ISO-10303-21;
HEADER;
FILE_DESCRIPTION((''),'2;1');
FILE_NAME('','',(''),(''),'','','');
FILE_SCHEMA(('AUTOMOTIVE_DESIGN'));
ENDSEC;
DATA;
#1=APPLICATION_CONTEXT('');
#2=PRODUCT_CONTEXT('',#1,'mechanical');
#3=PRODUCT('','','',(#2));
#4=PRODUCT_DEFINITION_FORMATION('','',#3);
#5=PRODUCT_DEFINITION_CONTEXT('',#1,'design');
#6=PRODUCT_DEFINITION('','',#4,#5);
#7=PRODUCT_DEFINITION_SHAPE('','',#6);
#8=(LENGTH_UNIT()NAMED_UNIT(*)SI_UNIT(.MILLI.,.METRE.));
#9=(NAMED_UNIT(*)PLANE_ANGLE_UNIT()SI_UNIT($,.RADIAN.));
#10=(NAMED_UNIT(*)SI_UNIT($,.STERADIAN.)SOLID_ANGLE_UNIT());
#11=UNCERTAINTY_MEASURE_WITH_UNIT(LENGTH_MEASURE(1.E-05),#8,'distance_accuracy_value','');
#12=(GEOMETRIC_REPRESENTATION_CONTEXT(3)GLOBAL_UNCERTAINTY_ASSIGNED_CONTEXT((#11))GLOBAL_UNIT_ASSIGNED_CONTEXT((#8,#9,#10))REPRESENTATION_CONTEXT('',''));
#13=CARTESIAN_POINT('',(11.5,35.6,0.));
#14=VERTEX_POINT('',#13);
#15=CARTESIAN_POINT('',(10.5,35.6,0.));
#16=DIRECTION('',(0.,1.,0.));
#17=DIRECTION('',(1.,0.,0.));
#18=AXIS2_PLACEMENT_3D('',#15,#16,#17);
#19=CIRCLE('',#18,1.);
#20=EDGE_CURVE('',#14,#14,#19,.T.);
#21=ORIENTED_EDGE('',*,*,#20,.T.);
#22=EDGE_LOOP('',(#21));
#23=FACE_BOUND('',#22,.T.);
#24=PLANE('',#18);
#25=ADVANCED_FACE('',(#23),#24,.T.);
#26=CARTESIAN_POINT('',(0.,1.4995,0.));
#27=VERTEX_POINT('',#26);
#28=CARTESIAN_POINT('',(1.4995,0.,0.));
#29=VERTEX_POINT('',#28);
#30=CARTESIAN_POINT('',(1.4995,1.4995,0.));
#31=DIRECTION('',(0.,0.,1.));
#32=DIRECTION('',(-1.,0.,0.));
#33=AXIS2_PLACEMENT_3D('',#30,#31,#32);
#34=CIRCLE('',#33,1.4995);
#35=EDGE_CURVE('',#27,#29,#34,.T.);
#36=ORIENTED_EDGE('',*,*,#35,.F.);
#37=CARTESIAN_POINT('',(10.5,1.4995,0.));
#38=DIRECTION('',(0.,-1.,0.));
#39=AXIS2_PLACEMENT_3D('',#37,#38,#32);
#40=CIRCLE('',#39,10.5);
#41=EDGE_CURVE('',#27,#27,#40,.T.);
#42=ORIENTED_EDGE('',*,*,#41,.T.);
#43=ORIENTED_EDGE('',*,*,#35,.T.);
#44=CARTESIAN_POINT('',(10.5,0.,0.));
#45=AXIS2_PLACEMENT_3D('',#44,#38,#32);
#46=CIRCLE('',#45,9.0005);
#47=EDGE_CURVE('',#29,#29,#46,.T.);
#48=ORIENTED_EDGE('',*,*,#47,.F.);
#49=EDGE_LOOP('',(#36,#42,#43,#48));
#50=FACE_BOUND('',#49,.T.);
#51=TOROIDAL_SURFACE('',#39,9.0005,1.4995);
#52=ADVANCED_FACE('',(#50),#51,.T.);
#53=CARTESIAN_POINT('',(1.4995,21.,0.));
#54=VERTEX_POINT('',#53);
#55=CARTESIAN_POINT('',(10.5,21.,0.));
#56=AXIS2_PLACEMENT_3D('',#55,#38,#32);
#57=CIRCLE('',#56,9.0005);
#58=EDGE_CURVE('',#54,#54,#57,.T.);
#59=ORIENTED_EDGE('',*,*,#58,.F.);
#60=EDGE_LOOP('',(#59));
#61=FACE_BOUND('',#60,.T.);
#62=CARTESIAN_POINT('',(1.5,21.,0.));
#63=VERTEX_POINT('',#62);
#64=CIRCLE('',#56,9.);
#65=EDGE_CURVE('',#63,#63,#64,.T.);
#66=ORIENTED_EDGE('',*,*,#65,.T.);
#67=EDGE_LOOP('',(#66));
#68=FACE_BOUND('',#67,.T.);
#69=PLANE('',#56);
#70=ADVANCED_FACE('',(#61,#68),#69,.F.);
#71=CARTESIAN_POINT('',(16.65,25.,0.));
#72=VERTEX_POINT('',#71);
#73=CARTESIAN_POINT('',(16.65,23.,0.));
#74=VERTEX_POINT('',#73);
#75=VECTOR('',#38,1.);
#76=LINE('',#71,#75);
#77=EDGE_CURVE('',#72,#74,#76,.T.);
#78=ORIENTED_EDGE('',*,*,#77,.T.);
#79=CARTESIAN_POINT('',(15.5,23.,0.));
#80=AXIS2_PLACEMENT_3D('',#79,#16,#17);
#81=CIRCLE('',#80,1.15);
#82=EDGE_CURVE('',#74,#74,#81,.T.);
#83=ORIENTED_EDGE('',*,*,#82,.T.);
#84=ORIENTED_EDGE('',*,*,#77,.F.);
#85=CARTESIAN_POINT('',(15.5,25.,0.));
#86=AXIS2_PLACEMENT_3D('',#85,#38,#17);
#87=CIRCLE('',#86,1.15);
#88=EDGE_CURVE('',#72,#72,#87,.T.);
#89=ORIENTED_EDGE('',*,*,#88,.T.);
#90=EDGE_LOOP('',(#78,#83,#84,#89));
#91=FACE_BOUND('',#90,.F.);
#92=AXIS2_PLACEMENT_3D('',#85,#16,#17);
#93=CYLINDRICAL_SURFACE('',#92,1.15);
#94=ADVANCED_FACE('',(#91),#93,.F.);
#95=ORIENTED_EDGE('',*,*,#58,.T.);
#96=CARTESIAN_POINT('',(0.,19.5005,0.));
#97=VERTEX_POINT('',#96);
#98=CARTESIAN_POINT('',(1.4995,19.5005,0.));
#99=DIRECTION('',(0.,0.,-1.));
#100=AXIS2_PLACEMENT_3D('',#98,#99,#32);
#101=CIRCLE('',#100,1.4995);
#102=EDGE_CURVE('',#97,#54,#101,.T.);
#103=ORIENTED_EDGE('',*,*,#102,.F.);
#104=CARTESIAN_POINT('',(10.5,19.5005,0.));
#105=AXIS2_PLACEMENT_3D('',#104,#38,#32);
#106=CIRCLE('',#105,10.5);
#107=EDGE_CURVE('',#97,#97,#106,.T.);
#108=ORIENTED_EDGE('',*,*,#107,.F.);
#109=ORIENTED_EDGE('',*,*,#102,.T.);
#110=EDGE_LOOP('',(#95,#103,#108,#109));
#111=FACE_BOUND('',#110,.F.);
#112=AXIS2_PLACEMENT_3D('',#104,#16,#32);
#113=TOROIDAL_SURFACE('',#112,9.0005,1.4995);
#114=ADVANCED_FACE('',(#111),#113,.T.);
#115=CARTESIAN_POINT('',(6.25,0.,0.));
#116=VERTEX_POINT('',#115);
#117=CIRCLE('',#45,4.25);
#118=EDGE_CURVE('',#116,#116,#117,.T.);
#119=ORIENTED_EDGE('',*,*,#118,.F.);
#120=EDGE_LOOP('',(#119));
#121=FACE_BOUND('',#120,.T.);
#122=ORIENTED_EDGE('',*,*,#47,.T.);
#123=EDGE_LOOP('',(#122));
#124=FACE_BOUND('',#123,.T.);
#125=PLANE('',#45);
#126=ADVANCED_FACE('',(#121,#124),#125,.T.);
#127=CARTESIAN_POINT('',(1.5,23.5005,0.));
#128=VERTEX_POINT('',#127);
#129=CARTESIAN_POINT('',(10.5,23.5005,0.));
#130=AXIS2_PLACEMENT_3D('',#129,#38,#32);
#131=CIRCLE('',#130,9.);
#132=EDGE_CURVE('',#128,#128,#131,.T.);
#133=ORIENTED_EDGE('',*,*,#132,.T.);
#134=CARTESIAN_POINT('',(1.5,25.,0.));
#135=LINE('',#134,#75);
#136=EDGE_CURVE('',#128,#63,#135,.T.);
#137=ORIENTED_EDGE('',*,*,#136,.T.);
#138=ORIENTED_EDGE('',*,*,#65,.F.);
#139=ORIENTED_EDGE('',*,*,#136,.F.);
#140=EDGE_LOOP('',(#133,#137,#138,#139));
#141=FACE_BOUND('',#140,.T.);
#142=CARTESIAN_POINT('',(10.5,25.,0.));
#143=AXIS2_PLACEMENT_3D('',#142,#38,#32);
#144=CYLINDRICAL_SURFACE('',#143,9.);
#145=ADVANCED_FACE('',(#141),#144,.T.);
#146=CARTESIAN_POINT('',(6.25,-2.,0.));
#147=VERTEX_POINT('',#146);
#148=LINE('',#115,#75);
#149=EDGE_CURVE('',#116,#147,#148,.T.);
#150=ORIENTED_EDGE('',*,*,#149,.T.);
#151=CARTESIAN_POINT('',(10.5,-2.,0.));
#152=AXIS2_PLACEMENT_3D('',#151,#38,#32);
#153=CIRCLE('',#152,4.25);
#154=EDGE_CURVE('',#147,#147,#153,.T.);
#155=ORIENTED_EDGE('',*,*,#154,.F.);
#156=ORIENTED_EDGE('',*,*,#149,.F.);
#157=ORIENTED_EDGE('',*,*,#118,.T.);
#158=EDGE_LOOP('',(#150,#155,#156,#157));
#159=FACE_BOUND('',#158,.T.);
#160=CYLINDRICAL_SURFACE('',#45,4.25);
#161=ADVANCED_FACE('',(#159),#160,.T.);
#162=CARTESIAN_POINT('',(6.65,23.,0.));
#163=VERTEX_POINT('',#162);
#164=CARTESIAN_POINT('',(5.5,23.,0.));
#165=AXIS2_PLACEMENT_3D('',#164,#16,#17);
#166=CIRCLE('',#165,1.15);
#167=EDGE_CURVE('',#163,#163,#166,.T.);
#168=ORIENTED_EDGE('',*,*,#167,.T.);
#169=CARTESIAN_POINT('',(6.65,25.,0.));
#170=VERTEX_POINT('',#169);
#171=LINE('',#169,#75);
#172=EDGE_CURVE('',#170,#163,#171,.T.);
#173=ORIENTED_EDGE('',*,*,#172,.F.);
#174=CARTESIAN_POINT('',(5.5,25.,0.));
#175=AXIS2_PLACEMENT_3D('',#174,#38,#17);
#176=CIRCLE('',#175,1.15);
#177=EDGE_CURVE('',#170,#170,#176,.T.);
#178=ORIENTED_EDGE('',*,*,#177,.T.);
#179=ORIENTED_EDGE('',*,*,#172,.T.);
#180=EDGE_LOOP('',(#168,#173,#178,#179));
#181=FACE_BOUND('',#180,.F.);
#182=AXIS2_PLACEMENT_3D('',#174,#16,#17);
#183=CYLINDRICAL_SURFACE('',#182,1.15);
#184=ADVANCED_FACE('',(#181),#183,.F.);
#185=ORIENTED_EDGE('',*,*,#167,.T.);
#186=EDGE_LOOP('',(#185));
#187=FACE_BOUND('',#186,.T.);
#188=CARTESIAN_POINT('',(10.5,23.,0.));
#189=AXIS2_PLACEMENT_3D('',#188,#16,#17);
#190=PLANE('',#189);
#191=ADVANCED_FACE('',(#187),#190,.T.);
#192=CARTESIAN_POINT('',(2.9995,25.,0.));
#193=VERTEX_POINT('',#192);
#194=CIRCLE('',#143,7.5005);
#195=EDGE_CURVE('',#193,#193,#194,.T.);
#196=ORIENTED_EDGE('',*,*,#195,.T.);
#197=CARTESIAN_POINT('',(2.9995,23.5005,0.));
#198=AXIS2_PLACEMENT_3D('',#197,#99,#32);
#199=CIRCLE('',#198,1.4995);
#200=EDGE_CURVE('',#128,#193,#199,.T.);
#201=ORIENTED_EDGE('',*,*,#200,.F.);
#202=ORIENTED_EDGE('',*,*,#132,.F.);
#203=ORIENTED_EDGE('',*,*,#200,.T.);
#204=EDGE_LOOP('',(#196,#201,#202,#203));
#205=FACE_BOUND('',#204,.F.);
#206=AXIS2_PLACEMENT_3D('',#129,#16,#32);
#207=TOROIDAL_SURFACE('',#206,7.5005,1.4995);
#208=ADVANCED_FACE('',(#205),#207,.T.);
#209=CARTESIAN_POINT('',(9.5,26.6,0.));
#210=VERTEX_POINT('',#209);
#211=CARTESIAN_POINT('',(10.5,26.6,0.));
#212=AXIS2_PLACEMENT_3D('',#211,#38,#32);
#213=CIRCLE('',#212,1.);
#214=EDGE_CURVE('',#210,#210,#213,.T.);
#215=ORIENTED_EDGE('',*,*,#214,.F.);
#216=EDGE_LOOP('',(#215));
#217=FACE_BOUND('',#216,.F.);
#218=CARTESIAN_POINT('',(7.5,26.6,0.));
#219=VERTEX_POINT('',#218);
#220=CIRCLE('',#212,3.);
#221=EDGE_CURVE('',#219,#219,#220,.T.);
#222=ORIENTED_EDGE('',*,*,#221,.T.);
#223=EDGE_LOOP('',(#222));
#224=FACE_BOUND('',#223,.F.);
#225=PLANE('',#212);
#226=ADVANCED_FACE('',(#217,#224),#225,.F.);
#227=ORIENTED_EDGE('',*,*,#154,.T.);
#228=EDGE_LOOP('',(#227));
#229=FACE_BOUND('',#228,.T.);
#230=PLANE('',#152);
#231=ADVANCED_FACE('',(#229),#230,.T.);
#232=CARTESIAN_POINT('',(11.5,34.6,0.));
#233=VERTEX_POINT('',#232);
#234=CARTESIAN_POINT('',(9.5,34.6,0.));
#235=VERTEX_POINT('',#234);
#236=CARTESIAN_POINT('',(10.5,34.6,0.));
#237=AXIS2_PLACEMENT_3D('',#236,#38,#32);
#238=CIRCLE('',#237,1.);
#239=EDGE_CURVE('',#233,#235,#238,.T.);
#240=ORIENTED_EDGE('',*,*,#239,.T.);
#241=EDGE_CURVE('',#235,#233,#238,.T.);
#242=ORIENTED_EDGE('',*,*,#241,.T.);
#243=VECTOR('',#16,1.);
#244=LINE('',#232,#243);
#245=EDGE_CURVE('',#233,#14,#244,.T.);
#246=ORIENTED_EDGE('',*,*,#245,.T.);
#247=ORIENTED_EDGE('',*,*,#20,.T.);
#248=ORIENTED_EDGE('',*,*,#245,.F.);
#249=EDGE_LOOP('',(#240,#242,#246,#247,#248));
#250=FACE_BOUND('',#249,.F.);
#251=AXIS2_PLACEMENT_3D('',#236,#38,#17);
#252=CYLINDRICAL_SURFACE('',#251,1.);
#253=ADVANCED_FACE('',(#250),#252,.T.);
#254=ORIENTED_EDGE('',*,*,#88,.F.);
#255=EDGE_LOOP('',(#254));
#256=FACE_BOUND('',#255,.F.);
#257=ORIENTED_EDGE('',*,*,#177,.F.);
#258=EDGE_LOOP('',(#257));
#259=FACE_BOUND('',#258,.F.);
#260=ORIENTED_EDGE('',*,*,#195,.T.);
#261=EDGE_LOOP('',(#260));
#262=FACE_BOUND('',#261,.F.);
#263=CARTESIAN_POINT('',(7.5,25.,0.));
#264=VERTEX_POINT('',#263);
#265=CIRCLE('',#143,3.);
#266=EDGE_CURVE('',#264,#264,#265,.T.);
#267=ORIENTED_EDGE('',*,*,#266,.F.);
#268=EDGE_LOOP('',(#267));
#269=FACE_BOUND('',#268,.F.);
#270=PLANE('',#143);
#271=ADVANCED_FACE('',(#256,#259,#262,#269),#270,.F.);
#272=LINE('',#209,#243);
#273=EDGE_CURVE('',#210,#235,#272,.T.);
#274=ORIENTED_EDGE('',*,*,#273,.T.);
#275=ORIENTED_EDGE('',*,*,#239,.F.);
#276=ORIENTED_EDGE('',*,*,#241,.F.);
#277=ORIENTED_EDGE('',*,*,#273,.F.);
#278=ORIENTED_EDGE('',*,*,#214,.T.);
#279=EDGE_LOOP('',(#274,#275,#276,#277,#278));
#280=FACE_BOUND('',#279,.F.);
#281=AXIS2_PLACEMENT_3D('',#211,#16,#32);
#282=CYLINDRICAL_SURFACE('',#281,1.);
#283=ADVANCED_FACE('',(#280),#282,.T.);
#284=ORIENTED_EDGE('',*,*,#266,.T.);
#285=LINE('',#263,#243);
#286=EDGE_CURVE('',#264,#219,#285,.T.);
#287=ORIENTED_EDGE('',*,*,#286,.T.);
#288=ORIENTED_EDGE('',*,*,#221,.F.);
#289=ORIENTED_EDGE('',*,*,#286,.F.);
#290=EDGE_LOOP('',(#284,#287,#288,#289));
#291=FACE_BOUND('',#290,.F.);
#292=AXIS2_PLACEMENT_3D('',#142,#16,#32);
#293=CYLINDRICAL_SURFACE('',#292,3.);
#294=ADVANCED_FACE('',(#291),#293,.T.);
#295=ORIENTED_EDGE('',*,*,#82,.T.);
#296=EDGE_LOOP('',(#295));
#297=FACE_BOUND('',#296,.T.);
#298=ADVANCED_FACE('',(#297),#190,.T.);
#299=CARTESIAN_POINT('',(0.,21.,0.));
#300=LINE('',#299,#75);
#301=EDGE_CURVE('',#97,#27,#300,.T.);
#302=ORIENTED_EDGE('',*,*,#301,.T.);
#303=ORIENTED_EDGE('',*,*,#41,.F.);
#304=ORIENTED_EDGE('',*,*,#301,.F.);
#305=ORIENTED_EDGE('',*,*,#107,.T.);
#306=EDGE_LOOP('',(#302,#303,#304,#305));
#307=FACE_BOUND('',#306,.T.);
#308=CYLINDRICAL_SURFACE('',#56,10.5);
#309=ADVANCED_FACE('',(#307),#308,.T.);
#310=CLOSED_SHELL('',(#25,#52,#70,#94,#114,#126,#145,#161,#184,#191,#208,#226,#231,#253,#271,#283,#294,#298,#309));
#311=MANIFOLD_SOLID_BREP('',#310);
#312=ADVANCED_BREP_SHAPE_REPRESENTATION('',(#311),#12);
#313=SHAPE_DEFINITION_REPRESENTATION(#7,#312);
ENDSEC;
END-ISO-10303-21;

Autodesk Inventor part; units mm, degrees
ref_plane "YZ Plane" through (0, 0, 0) normal (1, 0, 0) x (0, 1, 0)
ref_plane "XZ Plane" through (0, 0, 0) normal (0, 1, 0) x (-1, 0, 0)
ref_plane "XY Plane" through (0, 0, 0) normal (0, 0, 1) x (1, 0, 0)
sketch "Sketch3" plane through (0, 0, 0) normal (0, 0, 1) x (1, 0, 0)
  line L0 (0, 0) -> (6.25, 0)
  line L1 (6.25, 0) -> (6.25, -2)
  line L2 (1.5, 25) -> (7.5, 25)
  line L3 (7.5, 25) -> (7.5, 26.6)
  line L4 (10.5, 21) -> (10.5, -2)
  line L5 (6.25, -2) -> (10.5, -2)
  line L6 (7.5, 26.6) -> (9.5, 26.6)
  line L7 (9.5, 26.6) -> (9.5, 34.6)
  line L8 (9.5, 34.6) -> (10.5, 34.6)
  line L9 (10.5, 34.6) -> (10.5, 21)
  line L10 (1.5, 25) -> (1.5, 21)
  line L11 (1.5, 21) -> (0, 21)
  line L12 (0, 21) -> (0, 0)
  dimension "d5" = 4.25
  dimension "d7" = 1.6
  dimension "d10" = 1
  dimension "d13" = 2
  dimension "d16" = 3
  dimension "d17" = 8
  dimension "d18" = 25
  dimension "d19" = 1.5
  dimension "d20" = 4
  dimension "d21" = 10.5
  dimension "d23" = 6.25
revolve "Revolution1" add sketch "Sketch3" angle 360 about axis through (10.5, 21, 0) along (0, -1, 0)
fillet "Fillet1" radius 1.5 3 edges at (19.5, 25, 0) (21, 0, 0) (21, 21, 0)
sketch "Sketch4" plane through (10.5, 25, 0) normal (0, 1, 0) x (1, 0, 0)
  circle A0 centre (0, 0) radius 1 projected
  circle A1 centre (0, 0) radius 5 construction
  circle A2 centre (-5, 0) radius 1.15
  line L0 (-14.7, 0) -> (14.7, 0) projected
  circle A3 centre (5, 0) radius 1.15
  point P0 (-10.5, 0)
  dimension "d24" = 10
  dimension "d25" = 2.3
  dimension "d28" = 360
extrude "Extrusion2" cut sketch "Sketch4" against normal blind 2 contours A2 L0 | L0 A2 | A3 L0 | L0 A3
sketch "Sketch6" plane through (10.5, 34.6, 0) normal (0, 1, 0) x (1, 0, 0)
  circle A0 centre (0, 0) radius 1 projected
  point P0 (-10.5, 0)
extrude "Extrusion4" add sketch "Sketch6" along normal blind 1
properties part number "MOTOR"
